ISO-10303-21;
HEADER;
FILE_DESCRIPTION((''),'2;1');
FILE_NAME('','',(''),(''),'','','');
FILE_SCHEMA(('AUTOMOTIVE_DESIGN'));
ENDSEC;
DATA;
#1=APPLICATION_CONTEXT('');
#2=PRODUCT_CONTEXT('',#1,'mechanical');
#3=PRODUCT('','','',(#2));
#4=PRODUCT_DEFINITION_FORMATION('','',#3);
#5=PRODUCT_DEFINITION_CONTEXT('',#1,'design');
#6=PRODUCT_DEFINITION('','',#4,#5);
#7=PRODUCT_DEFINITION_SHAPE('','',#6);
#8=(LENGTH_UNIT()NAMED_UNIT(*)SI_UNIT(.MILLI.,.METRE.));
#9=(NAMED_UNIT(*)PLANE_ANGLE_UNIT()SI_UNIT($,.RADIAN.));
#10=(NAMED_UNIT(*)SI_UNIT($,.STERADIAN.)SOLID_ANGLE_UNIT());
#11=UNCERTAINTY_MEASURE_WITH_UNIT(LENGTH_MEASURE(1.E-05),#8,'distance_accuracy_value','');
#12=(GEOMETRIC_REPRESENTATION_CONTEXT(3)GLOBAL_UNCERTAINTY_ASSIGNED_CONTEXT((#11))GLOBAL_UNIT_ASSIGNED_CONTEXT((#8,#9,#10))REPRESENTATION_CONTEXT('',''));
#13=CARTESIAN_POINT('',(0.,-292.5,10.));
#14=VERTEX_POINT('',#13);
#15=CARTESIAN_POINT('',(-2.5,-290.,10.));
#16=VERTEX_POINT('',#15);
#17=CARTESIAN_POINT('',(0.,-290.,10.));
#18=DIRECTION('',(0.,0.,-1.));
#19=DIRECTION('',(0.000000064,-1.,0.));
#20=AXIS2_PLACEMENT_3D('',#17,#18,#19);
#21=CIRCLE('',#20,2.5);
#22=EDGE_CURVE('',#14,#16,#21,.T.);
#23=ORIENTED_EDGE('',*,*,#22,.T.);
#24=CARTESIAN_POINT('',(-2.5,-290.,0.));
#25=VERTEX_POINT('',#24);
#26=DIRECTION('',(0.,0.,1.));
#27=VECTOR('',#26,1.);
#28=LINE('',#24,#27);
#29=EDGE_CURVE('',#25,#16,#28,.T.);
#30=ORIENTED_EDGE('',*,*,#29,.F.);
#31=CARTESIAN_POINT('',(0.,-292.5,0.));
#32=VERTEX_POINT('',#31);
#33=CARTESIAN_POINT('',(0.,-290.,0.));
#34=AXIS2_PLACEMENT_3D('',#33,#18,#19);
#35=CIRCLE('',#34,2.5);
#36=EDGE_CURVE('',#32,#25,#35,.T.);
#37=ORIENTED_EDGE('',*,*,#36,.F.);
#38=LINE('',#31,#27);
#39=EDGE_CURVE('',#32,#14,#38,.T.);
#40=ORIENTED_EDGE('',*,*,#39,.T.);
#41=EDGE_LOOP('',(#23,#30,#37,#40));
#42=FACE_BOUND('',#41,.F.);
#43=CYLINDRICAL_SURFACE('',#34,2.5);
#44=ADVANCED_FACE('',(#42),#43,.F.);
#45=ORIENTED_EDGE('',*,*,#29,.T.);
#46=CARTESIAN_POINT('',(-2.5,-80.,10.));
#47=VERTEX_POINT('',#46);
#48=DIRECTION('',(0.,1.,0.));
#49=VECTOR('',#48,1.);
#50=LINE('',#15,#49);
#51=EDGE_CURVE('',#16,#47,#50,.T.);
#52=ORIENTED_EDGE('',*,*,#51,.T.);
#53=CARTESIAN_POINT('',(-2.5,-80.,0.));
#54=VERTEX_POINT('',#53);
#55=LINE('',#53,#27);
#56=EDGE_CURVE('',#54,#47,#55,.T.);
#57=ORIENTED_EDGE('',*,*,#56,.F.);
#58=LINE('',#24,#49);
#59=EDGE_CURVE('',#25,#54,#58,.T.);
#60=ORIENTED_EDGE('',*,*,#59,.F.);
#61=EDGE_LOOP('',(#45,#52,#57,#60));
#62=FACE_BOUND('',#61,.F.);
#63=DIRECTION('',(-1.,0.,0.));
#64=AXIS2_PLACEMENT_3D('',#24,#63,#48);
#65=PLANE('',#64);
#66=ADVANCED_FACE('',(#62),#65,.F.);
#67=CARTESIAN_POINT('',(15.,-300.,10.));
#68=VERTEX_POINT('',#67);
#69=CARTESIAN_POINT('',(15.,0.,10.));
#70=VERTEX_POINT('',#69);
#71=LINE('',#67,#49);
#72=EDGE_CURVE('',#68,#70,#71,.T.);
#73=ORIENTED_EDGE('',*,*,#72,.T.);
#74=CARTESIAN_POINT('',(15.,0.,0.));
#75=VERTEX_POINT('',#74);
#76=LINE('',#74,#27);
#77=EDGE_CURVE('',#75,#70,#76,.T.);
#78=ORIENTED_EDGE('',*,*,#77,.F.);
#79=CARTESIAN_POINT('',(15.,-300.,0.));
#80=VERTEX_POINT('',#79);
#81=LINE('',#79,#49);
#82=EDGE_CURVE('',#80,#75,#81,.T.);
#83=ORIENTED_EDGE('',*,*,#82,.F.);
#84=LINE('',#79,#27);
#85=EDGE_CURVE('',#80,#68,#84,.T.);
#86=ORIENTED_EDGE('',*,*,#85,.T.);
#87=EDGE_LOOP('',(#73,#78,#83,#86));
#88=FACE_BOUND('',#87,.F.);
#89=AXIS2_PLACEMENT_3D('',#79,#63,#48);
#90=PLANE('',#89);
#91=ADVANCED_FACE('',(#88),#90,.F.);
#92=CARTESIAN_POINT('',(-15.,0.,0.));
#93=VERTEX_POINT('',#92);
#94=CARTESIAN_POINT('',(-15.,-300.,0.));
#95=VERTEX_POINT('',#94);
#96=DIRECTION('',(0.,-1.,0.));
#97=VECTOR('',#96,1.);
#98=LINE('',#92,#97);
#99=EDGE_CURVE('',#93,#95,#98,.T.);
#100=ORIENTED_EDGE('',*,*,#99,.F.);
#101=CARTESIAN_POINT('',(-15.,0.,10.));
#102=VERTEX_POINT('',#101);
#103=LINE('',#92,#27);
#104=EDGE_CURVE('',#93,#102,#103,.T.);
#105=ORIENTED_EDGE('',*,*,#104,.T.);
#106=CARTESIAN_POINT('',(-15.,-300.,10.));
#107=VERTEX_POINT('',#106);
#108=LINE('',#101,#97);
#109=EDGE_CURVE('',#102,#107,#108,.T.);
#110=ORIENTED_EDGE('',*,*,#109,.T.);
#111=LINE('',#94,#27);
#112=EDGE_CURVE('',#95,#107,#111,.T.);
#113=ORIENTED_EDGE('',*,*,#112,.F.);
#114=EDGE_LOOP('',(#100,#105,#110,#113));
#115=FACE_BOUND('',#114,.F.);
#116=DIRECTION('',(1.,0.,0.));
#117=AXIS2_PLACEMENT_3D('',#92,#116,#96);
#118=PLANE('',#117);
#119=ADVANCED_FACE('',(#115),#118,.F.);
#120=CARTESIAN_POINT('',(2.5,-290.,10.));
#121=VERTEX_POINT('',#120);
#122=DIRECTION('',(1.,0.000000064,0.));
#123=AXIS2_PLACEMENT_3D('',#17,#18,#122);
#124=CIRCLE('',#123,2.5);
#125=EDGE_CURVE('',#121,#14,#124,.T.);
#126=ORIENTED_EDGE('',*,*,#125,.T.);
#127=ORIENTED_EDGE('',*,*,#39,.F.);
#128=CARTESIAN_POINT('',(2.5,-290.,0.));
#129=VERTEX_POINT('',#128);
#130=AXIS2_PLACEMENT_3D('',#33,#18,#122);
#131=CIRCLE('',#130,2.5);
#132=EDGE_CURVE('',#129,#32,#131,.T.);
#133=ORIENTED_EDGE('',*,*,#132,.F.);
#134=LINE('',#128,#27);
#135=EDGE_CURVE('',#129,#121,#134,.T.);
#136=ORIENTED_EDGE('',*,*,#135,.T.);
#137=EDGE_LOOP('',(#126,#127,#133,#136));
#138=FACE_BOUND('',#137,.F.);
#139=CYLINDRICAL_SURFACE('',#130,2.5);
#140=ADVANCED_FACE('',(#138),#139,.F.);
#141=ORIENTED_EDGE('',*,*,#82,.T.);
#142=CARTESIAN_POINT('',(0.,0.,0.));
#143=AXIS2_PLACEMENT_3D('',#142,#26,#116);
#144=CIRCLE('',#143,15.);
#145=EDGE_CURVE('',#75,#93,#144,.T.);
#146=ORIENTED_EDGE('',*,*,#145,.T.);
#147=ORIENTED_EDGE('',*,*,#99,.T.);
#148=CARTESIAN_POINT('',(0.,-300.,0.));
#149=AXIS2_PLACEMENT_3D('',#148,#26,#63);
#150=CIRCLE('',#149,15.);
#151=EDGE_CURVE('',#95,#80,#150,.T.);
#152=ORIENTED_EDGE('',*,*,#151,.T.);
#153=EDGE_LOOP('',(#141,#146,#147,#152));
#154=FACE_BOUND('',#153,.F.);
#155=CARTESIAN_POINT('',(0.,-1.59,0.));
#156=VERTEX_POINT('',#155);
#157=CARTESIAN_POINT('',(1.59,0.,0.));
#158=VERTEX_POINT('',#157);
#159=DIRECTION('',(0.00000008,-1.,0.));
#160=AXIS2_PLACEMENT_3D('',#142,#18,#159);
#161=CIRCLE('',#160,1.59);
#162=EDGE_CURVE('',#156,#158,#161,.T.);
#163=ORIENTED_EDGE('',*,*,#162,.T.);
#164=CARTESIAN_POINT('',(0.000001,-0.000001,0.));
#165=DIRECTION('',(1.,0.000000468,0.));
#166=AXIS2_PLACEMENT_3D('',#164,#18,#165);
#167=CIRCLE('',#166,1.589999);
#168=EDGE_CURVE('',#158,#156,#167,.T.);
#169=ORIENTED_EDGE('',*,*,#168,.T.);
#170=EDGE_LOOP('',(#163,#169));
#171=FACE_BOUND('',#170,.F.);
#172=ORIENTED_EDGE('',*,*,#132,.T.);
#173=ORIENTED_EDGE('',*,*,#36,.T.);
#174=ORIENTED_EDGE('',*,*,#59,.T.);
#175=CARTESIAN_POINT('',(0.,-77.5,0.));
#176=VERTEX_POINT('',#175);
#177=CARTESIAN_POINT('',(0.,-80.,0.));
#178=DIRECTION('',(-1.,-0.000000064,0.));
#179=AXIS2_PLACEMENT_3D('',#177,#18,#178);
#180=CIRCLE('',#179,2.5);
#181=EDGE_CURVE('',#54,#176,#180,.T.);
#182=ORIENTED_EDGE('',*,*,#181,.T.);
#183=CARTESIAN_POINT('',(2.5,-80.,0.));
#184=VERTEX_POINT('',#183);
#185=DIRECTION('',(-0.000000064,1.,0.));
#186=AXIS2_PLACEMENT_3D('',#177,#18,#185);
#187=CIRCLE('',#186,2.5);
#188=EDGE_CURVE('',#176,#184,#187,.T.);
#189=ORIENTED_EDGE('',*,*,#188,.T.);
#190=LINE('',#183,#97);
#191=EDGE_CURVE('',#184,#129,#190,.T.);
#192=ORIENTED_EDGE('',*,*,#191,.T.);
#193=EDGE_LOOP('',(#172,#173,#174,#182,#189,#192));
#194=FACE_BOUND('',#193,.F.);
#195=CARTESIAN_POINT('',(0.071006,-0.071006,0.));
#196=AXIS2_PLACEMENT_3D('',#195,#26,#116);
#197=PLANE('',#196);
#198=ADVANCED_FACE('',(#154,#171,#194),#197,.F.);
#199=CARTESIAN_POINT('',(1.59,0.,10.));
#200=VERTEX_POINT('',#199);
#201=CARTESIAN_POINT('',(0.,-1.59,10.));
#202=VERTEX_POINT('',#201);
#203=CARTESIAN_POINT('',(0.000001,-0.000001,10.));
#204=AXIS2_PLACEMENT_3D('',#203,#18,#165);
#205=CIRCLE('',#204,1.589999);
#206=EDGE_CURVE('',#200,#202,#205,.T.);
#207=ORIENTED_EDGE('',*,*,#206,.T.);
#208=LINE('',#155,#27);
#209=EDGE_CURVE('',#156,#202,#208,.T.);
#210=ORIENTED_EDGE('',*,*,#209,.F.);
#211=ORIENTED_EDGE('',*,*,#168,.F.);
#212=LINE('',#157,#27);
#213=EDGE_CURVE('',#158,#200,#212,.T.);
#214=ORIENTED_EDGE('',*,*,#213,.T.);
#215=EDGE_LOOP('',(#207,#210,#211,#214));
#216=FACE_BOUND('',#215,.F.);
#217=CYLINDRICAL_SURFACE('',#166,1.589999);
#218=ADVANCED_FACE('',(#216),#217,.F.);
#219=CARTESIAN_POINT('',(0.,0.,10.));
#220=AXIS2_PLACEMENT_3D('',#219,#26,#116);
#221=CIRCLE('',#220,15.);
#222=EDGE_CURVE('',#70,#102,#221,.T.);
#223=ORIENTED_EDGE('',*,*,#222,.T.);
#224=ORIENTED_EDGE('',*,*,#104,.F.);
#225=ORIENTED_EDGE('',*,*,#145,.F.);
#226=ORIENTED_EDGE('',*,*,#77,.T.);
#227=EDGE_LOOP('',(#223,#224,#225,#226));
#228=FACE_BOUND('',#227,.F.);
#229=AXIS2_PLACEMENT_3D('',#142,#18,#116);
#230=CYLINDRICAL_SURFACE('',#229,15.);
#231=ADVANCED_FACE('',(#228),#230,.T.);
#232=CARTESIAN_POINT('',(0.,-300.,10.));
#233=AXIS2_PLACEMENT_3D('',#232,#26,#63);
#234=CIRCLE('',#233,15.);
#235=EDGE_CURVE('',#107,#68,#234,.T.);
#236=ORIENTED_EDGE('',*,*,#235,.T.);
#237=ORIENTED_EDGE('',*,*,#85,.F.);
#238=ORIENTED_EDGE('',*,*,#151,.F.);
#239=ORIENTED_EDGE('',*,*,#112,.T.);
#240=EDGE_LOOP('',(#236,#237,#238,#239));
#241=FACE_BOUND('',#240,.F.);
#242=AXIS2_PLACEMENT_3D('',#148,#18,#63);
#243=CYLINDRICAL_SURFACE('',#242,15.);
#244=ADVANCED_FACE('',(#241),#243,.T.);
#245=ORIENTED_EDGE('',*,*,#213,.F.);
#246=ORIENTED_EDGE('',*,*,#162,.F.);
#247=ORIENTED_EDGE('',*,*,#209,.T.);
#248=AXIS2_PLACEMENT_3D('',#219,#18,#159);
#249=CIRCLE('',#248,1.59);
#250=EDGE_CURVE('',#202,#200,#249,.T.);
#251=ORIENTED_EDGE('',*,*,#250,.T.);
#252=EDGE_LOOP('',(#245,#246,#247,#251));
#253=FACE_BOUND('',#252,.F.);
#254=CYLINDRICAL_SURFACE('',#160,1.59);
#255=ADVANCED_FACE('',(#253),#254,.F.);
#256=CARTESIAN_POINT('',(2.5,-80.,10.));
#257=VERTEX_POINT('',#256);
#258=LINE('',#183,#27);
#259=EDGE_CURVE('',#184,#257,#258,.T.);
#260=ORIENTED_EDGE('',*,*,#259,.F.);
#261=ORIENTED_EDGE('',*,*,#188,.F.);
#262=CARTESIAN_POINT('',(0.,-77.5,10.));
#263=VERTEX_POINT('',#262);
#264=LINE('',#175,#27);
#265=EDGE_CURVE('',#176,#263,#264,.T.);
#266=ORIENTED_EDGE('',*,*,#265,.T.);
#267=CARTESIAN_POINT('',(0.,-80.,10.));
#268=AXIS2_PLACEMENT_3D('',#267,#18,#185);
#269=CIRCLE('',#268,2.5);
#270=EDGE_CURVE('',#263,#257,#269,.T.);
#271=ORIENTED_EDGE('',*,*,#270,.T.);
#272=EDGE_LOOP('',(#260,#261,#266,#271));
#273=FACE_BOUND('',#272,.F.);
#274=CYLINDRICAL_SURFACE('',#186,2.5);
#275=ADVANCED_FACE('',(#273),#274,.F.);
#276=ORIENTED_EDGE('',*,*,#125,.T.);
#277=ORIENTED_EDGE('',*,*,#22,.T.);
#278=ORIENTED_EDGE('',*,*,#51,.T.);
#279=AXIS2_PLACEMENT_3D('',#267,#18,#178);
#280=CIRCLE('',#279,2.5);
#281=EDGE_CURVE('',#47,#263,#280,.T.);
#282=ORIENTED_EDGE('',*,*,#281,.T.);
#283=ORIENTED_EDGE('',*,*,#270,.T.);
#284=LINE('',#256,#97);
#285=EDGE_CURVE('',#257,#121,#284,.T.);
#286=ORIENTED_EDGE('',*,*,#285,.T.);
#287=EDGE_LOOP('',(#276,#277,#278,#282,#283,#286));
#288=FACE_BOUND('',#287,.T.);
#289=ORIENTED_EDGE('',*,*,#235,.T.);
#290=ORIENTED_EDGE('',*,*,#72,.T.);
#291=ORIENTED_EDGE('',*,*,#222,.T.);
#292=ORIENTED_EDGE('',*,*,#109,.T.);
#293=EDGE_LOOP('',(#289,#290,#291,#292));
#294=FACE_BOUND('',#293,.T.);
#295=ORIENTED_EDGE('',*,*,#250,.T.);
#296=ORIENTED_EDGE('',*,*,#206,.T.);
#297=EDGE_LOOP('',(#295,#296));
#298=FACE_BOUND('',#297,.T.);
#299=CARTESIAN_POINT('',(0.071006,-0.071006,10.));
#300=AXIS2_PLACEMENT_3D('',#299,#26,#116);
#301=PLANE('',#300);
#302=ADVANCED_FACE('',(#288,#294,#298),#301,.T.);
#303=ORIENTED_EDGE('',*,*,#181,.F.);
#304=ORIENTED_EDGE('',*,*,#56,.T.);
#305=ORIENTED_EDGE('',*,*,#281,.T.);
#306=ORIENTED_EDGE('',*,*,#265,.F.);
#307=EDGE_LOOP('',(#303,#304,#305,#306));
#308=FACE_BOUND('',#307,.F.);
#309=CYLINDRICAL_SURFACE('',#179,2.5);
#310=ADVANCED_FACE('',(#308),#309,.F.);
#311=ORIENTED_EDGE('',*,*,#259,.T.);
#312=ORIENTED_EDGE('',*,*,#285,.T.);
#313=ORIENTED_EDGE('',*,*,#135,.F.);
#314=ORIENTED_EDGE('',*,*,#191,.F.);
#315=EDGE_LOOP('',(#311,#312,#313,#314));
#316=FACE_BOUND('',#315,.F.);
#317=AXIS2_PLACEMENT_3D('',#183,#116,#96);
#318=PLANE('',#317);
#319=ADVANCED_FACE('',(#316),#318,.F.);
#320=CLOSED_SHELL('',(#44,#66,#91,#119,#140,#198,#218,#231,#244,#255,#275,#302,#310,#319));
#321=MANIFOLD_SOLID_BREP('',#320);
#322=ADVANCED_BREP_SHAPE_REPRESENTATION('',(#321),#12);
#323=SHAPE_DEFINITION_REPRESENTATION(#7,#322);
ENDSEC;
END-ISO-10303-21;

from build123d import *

# Parameters (mm, degrees)
F1_DEPTH = 10


with BuildPart() as f1:
    # F0 (on Top) → F1 (new body)
    with BuildSketch(Plane.XY):
        with BuildLine():
            ThreePointArc((1.59, 0), (-1.1243, 1.1243), (0, -1.59))
            ThreePointArc((0, -1.59), (1.1243, -1.1243), (1.59, 0))
        make_face()
        with BuildLine():
            ThreePointArc((15, 0), (0, 15), (-15, 0))
            Line((-15, 0), (-15, -300))
            ThreePointArc((-15, -300), (0, -315), (15, -300))
            Line((15, -300), (15, 0))
        make_face()
        with BuildLine():
            ThreePointArc((-2.5, -80), (-1.767767, -78.232233), (0, -77.5))
            ThreePointArc((0, -77.5), (1.767767, -78.232233), (2.5, -80))
            Line((2.5, -80), (2.5, -290))
            ThreePointArc((2.5, -290), (1.767767, -291.767767), (0, -292.5))
            ThreePointArc((0, -292.5), (-1.767767, -291.767767), (-2.5, -290))
            Line((-2.5, -290), (-2.5, -80))
        make_face(mode=Mode.SUBTRACT)
        with BuildLine():
            ThreePointArc((1.59, 0), (1.1243, -1.1243), (0, -1.59))
            ThreePointArc((0, -1.59), (-1.1243, 1.1243), (1.59, 0))
        make_face(mode=Mode.SUBTRACT)
    extrude(amount=F1_DEPTH)


solid = f1.part
